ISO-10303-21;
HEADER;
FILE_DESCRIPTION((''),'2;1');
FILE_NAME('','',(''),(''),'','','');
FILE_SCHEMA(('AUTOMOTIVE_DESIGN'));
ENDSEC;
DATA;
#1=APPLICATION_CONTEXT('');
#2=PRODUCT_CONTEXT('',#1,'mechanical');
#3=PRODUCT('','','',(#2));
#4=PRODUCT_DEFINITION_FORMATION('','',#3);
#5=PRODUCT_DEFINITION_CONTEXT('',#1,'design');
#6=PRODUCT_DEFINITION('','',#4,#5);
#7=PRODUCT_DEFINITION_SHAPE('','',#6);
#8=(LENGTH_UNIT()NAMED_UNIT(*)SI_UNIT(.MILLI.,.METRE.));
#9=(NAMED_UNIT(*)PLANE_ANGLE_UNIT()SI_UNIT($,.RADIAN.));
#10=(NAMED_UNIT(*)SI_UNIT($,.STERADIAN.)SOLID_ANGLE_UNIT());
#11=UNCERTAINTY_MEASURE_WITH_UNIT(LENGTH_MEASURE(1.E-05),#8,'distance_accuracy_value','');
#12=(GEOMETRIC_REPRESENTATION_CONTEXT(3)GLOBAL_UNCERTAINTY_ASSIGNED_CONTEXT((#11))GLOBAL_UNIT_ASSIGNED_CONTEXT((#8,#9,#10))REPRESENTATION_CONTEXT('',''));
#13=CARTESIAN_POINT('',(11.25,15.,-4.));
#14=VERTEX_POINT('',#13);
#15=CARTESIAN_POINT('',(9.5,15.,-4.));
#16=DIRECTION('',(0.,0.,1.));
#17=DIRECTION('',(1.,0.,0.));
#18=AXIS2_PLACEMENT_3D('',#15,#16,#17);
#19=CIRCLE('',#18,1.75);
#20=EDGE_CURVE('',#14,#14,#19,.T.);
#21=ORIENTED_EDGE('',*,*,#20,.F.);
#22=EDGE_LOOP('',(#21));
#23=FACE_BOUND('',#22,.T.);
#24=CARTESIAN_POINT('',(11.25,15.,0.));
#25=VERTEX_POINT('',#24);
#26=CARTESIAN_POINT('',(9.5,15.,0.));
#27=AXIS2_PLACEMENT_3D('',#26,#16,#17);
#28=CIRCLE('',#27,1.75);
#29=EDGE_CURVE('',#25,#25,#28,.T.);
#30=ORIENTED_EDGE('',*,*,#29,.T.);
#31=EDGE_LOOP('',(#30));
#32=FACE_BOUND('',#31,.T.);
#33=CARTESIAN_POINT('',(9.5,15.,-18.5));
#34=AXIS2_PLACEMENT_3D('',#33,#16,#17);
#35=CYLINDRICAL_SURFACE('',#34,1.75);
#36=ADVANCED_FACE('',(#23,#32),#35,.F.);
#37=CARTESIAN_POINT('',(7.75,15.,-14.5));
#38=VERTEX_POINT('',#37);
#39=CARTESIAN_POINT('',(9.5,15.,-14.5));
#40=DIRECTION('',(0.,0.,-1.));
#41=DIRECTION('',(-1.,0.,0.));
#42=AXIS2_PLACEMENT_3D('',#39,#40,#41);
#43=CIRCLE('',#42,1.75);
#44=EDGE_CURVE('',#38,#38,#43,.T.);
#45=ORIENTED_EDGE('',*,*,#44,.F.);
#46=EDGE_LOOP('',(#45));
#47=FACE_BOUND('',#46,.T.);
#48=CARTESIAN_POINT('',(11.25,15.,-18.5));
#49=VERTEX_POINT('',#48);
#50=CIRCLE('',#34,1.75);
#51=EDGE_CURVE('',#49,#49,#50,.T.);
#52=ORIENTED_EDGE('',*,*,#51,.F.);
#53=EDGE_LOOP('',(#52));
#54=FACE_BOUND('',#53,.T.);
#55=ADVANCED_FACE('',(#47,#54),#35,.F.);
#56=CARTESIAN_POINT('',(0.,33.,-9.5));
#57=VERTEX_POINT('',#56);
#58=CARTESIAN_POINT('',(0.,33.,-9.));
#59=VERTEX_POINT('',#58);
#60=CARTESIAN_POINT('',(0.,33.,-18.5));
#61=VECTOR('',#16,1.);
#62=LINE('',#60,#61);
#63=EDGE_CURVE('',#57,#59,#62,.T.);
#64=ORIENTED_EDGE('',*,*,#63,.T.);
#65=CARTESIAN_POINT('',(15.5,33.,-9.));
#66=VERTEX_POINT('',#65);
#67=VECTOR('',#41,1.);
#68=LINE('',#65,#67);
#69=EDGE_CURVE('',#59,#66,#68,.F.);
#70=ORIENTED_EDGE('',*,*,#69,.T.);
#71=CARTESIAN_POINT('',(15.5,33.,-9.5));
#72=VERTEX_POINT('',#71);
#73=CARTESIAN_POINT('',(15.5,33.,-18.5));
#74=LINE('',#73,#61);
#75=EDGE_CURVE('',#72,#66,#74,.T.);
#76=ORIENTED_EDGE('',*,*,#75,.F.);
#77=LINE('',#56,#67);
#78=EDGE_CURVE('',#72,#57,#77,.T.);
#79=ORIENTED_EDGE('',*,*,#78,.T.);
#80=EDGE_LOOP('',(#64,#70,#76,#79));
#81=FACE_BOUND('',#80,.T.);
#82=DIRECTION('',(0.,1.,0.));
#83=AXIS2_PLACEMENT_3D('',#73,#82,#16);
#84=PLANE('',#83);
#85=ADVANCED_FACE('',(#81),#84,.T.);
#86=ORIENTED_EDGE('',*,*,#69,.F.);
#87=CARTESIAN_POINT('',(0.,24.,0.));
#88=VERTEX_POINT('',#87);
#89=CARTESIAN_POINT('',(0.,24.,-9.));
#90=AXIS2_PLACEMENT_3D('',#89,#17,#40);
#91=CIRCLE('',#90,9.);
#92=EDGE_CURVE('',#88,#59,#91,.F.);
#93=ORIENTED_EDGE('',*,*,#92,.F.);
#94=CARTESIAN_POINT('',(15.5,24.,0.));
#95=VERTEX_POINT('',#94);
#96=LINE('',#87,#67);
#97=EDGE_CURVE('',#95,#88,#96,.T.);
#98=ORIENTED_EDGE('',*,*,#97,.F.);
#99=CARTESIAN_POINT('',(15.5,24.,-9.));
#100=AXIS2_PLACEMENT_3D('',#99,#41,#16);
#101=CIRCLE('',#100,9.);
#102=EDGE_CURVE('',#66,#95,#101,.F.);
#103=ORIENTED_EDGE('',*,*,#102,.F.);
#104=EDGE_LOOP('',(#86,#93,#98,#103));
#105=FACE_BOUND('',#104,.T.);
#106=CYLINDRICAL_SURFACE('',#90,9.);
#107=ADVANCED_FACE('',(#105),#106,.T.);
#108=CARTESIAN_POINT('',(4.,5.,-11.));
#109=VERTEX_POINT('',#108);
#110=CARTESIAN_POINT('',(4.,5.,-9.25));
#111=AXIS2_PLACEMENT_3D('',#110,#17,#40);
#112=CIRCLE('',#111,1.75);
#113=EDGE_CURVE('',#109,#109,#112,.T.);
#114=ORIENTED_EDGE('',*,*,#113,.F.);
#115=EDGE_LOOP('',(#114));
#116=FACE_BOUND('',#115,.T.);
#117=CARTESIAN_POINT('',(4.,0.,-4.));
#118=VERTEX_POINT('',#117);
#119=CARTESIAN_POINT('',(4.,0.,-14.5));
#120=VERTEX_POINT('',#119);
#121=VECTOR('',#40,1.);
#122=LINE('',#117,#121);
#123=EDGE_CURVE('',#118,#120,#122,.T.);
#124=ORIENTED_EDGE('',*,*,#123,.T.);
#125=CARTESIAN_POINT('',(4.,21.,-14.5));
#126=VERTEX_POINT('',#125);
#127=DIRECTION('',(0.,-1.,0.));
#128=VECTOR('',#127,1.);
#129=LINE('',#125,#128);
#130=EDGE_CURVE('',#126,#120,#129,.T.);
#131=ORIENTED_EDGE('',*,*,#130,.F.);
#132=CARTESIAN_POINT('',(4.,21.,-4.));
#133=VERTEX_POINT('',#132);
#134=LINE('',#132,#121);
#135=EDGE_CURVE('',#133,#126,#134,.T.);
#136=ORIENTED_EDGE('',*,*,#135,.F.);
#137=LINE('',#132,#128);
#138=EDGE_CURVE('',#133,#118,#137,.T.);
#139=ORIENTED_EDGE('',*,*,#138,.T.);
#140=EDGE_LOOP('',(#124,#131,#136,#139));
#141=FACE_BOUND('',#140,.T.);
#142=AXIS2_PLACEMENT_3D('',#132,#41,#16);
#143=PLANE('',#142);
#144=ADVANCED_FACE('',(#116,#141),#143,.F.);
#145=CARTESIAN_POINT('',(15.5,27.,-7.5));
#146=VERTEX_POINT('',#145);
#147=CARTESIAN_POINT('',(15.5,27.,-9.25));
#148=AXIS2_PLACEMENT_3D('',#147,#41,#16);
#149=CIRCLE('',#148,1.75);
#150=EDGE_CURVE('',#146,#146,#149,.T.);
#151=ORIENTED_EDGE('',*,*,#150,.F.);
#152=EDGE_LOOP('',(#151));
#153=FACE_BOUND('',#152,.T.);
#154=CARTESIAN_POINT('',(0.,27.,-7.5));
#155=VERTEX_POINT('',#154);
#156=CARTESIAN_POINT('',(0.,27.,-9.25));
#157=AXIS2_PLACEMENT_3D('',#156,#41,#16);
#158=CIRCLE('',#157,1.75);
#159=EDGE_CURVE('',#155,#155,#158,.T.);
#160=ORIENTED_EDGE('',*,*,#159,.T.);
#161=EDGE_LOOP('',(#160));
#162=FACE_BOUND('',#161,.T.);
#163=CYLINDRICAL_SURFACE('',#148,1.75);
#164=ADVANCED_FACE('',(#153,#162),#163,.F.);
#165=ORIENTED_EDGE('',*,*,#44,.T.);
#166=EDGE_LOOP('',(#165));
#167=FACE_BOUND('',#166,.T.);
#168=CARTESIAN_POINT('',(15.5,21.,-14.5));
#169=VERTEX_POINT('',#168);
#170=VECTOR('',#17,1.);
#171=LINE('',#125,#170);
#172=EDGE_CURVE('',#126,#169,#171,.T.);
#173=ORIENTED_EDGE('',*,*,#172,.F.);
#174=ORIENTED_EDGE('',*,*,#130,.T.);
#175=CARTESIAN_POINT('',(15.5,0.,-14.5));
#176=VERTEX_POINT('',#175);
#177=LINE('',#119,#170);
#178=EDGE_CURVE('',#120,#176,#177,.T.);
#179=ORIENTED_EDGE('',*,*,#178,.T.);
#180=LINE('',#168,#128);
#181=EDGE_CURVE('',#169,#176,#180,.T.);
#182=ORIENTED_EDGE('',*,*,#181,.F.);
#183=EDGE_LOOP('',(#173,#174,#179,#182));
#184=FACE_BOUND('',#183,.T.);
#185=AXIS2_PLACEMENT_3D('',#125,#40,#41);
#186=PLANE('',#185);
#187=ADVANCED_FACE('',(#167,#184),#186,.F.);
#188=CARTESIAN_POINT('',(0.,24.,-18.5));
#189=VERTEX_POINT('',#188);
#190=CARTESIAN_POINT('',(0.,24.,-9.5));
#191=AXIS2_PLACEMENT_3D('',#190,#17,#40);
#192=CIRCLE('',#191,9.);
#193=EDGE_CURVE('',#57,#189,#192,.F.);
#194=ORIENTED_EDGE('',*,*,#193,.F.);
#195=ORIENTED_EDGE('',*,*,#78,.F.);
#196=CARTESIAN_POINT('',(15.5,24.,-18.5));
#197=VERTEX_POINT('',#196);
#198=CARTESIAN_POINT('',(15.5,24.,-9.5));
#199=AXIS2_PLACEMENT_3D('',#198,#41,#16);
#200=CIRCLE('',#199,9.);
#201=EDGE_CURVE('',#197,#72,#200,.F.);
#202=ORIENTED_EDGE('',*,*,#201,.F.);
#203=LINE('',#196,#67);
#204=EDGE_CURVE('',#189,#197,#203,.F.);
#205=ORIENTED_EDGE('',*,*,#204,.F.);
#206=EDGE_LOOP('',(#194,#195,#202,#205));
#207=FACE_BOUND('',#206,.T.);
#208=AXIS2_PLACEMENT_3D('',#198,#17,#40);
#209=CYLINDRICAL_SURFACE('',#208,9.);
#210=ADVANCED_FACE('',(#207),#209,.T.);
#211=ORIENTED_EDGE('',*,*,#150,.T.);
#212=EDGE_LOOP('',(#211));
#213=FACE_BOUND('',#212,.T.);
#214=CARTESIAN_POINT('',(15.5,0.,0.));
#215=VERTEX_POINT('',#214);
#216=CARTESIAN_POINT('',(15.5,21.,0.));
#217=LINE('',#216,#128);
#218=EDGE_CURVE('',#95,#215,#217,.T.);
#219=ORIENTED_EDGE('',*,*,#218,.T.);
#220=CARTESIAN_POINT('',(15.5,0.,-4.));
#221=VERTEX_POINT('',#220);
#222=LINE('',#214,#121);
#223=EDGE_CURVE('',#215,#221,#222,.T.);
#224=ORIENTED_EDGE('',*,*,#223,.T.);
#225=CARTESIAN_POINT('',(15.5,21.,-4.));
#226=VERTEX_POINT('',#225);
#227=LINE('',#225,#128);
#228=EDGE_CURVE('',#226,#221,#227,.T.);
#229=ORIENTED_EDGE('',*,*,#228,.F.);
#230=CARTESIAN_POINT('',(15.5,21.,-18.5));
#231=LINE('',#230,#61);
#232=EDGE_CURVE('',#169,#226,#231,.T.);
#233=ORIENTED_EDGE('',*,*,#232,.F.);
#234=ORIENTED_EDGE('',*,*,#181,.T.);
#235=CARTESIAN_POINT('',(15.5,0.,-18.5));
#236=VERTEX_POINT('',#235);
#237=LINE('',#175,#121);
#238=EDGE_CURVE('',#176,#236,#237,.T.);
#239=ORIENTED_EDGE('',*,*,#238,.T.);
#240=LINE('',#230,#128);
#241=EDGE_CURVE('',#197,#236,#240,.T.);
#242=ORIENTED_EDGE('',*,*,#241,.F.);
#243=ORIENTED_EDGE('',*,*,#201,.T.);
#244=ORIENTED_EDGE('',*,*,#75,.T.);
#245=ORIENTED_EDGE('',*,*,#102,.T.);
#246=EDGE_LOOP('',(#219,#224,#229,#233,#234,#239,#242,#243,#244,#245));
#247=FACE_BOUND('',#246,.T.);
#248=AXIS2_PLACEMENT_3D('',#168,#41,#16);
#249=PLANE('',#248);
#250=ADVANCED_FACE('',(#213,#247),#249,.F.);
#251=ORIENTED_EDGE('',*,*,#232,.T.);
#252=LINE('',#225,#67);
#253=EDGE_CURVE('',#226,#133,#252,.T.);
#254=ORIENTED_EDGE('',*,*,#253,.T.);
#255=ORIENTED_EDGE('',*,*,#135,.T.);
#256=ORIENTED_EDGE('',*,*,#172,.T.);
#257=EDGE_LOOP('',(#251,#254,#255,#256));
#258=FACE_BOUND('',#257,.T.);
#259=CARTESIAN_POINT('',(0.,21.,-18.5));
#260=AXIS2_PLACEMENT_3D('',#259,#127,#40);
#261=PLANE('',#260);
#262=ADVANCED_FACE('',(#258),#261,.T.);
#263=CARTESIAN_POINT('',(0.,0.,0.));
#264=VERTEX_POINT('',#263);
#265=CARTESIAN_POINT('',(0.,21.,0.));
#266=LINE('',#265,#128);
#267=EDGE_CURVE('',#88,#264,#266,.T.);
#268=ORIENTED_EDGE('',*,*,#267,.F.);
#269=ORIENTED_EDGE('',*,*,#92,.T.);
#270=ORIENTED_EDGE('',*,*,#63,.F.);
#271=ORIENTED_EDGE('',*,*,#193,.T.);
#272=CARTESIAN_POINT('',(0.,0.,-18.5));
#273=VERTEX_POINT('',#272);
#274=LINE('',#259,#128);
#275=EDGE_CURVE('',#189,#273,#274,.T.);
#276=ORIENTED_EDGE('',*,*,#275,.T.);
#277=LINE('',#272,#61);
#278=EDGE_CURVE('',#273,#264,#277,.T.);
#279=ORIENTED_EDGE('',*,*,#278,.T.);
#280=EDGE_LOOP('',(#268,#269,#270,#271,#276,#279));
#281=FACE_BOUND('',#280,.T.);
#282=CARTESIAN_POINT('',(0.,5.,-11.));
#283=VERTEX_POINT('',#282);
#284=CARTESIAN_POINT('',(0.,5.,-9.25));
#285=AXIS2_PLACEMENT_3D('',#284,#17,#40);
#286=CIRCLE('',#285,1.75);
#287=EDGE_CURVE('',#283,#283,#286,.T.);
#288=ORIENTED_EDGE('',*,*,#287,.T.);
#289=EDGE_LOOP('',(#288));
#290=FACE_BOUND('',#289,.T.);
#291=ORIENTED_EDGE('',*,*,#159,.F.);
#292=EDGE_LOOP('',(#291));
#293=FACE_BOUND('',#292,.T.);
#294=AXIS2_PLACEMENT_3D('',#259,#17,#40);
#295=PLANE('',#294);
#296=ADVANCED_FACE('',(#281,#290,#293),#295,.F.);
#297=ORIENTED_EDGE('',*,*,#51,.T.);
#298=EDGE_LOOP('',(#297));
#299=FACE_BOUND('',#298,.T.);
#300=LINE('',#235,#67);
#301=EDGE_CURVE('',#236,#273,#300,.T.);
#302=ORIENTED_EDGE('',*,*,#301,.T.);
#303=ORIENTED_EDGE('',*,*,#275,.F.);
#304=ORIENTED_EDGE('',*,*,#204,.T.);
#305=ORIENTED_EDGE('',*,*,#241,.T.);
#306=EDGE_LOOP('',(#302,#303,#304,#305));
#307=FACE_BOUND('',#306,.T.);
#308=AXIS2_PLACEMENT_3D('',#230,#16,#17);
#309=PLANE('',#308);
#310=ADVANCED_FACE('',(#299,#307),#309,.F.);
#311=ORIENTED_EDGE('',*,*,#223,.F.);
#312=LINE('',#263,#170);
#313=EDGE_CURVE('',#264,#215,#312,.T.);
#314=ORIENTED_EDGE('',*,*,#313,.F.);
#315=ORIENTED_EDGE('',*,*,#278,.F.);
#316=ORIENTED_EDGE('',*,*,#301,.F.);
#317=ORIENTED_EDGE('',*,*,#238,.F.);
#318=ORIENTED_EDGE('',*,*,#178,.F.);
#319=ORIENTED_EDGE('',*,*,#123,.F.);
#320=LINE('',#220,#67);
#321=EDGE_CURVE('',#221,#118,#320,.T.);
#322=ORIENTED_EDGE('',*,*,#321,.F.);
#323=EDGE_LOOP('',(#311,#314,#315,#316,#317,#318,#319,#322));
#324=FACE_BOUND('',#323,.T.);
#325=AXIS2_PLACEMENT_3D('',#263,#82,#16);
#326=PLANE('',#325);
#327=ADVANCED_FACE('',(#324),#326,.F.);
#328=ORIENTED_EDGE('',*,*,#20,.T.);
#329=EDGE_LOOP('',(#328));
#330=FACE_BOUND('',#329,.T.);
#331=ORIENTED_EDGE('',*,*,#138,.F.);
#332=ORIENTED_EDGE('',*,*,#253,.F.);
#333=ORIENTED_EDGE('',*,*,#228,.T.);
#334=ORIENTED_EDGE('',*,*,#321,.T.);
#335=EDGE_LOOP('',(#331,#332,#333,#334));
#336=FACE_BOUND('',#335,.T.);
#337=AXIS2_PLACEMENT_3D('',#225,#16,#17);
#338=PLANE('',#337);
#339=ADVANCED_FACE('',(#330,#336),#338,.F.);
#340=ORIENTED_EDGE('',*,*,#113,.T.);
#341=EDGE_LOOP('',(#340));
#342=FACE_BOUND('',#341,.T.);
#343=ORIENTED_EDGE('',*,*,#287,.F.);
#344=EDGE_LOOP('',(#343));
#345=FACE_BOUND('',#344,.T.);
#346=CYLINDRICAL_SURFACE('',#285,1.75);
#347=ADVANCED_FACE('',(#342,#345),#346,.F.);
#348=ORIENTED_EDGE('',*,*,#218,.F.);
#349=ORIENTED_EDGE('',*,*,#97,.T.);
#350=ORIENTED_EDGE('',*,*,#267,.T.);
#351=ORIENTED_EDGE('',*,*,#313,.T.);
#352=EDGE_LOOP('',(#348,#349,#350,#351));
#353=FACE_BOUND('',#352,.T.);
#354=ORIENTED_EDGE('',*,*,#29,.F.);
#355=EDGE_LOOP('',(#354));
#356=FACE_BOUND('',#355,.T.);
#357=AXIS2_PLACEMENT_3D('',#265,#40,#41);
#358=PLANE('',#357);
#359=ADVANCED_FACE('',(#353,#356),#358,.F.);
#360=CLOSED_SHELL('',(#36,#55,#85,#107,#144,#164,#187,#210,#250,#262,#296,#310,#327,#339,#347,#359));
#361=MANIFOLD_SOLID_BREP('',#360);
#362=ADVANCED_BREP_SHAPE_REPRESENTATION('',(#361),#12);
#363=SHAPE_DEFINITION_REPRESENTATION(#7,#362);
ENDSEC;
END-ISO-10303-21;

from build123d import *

# Parameters (mm, degrees)
EXTRUDE_1_DEPTH     = 21
SKETCH_2_W          = 15.5
SKETCH_2_H          = 12
EXTRUDE_2_DEPTH     = 18.5
SKETCH_4_R          = 1.75
CUT_EXTRUDE_2_DEPTH = 41.883982194
SKETCH_5_R          = 1.75
CUT_EXTRUDE_3_DEPTH = 41.883982194
SKETCH_6_R          = 1.75
CUT_EXTRUDE_4_DEPTH = 40.54111784
FILLET_1_R          = 9


with BuildPart() as part:
    # ｽｹｯﾁ1 → ﾎﾞｽ - 押し出し1 (new body)
    with BuildSketch(Plane(origin=(0, 0, 0), x_dir=(1, 0, 0), z_dir=(0, 1, 0))):
        Polygon((0, 18.5), (0, 0), (15.5, 0), (15.5, 4), (4, 4), (4, 14.5), (15.5, 14.5), (15.5, 18.5), align=None)
    extrude(amount=EXTRUDE_1_DEPTH)

    # ｽｹｯﾁ2 → ﾎﾞｽ - 押し出し2 (add)
    with BuildSketch(Plane.XY):
        with Locations((7.75, 27)):
            Rectangle(SKETCH_2_W, SKETCH_2_H)
    extrude(amount=-EXTRUDE_2_DEPTH)

    # ｽｹｯﾁ4 → ｶｯﾄ - 押し出し2 (cut, through all)
    with BuildSketch(Plane.XY):
        with Locations((9.5, 15)):
            Circle(SKETCH_4_R)
    extrude(amount=-CUT_EXTRUDE_2_DEPTH, mode=Mode.SUBTRACT)

    # ｽｹｯﾁ5 → ｶｯﾄ - 押し出し3 (cut, through all)
    with BuildSketch(Plane.ZY):
        with Locations((-9.25, 27)):
            Circle(SKETCH_5_R)
    extrude(amount=-CUT_EXTRUDE_3_DEPTH, mode=Mode.SUBTRACT)

    # ｽｹｯﾁ6 → ｶｯﾄ - 押し出し4 (cut, through all)
    with BuildSketch(Plane(origin=(4, 0, 0), x_dir=(0, 0, -1), z_dir=(1, 0, 0))):
        with Locations((9.25, 5)):
            Circle(SKETCH_6_R)
    extrude(amount=-CUT_EXTRUDE_4_DEPTH, mode=Mode.SUBTRACT)

    # ﾌｨﾚｯﾄ1
    fillet_1_edges = [part.edges().sort_by_distance(p)[0] for p in [
        (7.75, 33, -18.5),
        (7.75, 33, 0),
    ]]
    fillet(fillet_1_edges, radius=FILLET_1_R)


solid = part.part
